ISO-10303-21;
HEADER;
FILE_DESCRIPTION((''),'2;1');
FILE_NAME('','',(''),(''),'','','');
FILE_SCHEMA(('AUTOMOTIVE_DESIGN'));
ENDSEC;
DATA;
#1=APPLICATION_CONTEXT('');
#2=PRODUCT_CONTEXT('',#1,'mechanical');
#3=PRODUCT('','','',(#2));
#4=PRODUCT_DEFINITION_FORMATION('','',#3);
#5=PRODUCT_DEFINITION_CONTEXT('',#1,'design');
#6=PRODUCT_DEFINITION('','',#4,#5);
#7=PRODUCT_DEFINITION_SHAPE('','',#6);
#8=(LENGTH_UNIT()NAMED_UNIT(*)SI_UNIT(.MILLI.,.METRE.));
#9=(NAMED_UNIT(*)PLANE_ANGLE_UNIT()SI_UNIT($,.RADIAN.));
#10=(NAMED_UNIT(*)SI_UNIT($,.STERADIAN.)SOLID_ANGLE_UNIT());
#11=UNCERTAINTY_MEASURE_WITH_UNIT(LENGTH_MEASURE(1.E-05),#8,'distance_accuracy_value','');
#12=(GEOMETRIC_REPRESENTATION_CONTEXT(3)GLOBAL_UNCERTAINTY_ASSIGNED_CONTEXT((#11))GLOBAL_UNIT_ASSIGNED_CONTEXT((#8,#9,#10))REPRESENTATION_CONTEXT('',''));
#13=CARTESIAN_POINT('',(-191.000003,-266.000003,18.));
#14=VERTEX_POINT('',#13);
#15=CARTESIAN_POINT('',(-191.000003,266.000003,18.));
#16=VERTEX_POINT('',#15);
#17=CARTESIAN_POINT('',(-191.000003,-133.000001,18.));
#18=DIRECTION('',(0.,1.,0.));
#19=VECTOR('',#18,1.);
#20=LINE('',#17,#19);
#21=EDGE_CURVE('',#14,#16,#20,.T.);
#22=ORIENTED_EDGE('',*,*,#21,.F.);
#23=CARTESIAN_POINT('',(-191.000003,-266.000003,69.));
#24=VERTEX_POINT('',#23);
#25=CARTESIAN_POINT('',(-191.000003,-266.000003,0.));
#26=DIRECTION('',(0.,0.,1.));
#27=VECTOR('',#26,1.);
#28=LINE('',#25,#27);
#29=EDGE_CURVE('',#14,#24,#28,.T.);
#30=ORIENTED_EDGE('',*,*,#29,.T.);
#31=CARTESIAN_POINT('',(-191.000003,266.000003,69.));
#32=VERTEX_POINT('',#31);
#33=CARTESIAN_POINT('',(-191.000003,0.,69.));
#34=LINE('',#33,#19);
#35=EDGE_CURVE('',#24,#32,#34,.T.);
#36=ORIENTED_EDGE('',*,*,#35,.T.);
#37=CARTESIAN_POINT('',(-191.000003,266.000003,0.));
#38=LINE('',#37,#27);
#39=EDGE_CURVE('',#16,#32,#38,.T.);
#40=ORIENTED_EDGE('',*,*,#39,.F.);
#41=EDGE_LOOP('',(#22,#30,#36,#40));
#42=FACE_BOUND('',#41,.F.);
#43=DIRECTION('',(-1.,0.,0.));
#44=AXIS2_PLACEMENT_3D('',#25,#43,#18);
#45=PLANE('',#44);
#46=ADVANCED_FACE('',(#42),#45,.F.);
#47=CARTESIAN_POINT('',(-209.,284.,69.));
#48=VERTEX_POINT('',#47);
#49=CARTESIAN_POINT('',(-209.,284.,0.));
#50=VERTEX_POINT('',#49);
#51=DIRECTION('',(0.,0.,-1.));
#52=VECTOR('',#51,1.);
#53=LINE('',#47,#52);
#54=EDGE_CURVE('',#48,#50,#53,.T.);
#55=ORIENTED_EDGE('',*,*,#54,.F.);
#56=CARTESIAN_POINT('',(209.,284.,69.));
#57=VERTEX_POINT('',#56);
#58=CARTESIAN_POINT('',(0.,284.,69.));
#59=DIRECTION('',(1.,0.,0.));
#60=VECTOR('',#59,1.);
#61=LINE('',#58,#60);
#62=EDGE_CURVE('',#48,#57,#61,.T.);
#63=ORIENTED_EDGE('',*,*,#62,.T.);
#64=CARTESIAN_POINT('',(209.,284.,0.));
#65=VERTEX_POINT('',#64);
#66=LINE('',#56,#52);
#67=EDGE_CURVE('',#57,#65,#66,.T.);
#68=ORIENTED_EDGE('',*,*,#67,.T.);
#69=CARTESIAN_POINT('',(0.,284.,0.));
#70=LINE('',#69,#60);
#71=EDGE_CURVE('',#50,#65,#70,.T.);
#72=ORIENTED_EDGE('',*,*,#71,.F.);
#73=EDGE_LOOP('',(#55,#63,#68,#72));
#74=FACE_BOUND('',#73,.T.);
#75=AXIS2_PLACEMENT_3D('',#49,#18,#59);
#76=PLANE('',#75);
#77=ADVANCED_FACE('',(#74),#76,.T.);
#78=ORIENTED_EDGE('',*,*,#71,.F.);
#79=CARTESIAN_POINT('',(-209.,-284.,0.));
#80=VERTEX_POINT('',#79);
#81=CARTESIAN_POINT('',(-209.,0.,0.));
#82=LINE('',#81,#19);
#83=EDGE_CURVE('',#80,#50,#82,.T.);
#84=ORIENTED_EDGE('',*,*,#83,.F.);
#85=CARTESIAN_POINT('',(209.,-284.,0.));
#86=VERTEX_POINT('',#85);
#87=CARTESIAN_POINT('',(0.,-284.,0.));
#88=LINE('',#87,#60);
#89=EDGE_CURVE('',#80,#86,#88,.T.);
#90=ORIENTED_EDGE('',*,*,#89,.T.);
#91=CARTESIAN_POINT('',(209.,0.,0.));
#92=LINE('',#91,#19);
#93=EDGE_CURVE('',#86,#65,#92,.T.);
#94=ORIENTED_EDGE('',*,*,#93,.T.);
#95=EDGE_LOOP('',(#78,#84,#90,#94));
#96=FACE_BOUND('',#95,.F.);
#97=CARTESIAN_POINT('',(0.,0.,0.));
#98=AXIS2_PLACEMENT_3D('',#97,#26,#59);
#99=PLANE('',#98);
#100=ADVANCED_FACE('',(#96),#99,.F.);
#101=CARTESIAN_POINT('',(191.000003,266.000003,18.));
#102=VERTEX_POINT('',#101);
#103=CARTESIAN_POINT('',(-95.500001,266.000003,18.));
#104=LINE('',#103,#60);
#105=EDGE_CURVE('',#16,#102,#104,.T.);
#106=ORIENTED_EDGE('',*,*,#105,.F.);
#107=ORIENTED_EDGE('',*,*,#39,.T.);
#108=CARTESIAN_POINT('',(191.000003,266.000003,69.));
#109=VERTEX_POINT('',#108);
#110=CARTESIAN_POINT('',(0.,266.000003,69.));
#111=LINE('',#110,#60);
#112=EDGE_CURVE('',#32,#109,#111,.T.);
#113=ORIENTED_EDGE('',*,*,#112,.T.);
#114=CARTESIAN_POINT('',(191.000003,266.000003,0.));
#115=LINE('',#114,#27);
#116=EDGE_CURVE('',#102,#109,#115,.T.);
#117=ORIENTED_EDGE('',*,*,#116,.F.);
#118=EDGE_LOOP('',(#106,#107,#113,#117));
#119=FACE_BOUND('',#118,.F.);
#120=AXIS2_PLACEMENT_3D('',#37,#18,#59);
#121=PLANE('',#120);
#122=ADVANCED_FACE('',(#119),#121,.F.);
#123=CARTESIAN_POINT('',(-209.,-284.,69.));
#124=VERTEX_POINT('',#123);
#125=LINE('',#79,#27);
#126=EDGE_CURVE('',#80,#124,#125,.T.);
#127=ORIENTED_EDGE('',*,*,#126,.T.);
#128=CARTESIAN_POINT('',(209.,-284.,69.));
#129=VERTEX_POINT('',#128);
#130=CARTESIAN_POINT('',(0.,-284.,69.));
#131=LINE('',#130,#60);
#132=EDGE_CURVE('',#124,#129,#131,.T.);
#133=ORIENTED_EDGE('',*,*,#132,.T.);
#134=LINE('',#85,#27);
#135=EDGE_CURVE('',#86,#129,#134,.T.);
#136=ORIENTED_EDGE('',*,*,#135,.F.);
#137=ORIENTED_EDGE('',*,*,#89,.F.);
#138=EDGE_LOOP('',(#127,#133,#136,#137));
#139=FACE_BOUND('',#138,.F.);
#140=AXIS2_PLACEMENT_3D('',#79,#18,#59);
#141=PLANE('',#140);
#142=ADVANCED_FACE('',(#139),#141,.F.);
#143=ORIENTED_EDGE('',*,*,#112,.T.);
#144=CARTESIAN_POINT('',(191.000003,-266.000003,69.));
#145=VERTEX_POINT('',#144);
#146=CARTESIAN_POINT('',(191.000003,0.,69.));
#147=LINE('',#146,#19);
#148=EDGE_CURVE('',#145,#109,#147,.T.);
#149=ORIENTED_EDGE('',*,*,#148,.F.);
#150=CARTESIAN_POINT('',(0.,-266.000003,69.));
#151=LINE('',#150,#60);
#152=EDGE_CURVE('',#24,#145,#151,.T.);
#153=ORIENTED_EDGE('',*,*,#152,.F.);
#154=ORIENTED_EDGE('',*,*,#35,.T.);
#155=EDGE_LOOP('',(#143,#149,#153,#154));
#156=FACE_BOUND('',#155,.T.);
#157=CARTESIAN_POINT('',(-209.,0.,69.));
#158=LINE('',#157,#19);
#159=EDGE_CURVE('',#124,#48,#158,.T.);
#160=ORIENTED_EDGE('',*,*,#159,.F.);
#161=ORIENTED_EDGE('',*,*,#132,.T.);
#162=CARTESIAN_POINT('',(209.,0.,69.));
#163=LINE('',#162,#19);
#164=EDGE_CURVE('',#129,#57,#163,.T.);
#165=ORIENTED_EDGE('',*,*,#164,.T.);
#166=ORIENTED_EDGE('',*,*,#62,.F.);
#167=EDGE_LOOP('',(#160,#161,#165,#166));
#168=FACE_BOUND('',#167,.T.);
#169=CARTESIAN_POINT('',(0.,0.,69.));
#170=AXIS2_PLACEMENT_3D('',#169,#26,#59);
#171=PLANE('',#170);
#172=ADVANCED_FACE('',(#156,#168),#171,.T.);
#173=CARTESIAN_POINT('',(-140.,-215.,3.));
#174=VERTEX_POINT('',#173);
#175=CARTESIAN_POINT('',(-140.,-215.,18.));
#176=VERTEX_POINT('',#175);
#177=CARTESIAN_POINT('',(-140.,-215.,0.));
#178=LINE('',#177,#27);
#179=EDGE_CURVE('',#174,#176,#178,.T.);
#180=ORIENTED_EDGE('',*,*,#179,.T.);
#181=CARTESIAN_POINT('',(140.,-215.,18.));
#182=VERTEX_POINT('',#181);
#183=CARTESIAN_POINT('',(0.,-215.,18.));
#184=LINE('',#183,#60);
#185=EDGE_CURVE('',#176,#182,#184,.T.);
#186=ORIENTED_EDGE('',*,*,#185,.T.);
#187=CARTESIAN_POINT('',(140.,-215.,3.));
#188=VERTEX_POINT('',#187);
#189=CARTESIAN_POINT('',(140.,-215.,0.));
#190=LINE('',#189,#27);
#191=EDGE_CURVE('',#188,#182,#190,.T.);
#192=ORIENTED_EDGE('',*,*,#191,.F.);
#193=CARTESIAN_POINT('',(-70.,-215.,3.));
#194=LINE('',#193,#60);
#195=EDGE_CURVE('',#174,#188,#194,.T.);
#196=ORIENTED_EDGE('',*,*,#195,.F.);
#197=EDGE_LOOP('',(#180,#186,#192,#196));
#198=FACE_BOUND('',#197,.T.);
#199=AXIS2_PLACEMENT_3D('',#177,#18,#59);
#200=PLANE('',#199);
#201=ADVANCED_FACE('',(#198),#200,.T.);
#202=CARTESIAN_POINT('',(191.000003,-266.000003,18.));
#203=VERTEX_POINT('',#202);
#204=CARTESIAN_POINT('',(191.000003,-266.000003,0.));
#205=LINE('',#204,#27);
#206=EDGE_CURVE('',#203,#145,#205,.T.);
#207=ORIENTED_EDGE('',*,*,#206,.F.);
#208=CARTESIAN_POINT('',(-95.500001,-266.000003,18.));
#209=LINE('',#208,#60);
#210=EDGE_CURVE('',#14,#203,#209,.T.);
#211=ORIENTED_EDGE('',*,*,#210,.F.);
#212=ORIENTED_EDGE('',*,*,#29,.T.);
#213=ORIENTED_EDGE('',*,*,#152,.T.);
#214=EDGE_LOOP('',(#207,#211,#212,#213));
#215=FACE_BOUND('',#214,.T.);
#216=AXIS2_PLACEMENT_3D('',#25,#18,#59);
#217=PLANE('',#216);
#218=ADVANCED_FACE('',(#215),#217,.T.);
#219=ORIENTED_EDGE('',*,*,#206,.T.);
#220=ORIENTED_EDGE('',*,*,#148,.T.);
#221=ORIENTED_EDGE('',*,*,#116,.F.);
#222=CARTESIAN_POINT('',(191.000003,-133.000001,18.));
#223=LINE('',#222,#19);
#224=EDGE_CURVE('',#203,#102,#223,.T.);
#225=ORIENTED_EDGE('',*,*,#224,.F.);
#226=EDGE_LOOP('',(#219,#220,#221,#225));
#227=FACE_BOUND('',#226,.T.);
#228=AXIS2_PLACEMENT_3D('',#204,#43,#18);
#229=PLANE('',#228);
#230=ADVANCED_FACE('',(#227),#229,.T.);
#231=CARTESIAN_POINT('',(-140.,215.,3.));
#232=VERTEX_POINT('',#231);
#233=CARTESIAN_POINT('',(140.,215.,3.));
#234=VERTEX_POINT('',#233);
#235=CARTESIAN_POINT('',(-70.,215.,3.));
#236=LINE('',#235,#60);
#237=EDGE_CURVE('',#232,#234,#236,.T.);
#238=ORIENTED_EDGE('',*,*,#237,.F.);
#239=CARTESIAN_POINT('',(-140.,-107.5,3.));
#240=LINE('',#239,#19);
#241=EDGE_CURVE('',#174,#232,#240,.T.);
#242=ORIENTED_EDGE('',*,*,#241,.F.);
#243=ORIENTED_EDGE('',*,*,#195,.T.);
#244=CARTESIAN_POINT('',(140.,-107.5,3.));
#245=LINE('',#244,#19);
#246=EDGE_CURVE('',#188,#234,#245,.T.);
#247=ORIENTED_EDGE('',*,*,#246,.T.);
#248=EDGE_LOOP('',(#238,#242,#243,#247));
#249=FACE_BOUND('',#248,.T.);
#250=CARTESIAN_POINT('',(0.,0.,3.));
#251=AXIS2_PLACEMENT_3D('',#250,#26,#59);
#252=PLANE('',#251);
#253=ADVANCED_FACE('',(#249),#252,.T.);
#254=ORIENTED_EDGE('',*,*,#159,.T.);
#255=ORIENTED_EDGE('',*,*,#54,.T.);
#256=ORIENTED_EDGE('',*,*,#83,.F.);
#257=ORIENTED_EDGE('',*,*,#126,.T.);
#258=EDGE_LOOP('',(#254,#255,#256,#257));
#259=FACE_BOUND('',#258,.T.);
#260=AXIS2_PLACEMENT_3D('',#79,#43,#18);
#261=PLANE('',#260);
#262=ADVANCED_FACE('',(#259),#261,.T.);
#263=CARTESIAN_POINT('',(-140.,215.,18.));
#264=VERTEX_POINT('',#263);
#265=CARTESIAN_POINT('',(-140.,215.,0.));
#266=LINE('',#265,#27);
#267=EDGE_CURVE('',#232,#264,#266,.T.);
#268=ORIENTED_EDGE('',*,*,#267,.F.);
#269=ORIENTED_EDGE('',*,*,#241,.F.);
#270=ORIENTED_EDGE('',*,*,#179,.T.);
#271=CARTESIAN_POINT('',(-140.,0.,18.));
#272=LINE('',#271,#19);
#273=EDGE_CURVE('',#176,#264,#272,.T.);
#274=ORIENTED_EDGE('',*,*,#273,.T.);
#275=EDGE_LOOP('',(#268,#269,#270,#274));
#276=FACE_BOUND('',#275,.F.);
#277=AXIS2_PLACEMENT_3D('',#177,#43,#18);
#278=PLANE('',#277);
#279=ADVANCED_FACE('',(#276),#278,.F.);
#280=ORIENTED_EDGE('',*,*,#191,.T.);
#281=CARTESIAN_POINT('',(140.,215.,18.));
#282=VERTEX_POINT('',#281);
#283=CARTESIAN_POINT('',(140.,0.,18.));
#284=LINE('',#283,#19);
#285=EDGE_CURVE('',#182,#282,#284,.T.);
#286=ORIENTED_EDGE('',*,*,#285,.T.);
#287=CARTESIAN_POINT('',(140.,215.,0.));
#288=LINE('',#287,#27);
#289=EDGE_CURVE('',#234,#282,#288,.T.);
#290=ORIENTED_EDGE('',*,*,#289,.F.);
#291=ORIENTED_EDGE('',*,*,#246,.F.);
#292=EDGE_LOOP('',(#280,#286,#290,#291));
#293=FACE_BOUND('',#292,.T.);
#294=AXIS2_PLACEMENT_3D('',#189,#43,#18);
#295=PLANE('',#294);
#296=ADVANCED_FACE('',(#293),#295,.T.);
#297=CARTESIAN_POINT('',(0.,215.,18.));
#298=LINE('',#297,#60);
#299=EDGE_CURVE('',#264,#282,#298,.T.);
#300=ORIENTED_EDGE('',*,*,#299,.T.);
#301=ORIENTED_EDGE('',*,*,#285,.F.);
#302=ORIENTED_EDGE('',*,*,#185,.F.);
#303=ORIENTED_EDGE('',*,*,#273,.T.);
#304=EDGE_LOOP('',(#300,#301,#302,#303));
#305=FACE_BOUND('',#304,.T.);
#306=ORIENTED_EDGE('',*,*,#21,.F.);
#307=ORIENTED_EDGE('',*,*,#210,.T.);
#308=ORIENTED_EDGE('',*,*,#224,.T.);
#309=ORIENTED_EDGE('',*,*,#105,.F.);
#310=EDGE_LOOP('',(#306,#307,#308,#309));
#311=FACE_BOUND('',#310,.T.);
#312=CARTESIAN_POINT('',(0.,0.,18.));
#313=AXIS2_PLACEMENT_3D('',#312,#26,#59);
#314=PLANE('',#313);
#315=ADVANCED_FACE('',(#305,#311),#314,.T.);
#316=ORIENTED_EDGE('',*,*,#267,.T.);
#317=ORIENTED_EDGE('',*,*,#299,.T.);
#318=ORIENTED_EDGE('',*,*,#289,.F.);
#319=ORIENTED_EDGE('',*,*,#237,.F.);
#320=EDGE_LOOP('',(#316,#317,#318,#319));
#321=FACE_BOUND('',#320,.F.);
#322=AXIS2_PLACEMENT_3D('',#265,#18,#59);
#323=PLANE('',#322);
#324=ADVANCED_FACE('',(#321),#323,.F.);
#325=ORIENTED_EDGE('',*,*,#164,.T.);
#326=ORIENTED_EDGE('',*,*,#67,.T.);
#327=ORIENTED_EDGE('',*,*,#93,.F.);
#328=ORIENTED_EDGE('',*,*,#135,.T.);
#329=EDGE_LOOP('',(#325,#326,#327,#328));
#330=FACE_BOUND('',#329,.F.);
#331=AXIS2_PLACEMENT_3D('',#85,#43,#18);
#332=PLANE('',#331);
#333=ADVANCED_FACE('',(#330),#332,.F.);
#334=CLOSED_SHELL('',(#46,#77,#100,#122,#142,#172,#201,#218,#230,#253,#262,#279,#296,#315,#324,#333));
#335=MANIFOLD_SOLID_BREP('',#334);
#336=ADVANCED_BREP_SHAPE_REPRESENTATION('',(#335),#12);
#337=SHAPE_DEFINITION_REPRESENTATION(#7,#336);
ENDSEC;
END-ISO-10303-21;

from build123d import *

# Parameters (mm, degrees)
F0_W     = 418
F0_H     = 568
F0_W_2   = 382.000006
F0_H_2   = 532.000006
F1_DEPTH = 69
F0_W_3   = 280
F0_H_3   = 430
F2_DEPTH = 18
F3_DEPTH = 3


with BuildPart() as f1:
    # F0 (on Top) → F1 (new body)
    with BuildSketch(Plane.XY):
        Rectangle(F0_W, F0_H)
        Rectangle(F0_W_2, F0_H_2, mode=Mode.SUBTRACT)
    extrude(amount=F1_DEPTH)

    # F0 (on Top) → F2 (join)
    with BuildSketch(Plane.XY):
        Rectangle(F0_W, F0_H)
        Rectangle(F0_W_2, F0_H_2, mode=Mode.SUBTRACT)
        Rectangle(F0_W_2, F0_H_2)
        Rectangle(F0_W_3, F0_H_3, mode=Mode.SUBTRACT)
    extrude(amount=F2_DEPTH)

    # F0 (on Top) → F3 (join)
    with BuildSketch(Plane.XY):
        Rectangle(F0_W_2, F0_H_2)
        Rectangle(F0_W_3, F0_H_3, mode=Mode.SUBTRACT)
        Rectangle(F0_W_3, F0_H_3)
    extrude(amount=F3_DEPTH)


solid = f1.part
